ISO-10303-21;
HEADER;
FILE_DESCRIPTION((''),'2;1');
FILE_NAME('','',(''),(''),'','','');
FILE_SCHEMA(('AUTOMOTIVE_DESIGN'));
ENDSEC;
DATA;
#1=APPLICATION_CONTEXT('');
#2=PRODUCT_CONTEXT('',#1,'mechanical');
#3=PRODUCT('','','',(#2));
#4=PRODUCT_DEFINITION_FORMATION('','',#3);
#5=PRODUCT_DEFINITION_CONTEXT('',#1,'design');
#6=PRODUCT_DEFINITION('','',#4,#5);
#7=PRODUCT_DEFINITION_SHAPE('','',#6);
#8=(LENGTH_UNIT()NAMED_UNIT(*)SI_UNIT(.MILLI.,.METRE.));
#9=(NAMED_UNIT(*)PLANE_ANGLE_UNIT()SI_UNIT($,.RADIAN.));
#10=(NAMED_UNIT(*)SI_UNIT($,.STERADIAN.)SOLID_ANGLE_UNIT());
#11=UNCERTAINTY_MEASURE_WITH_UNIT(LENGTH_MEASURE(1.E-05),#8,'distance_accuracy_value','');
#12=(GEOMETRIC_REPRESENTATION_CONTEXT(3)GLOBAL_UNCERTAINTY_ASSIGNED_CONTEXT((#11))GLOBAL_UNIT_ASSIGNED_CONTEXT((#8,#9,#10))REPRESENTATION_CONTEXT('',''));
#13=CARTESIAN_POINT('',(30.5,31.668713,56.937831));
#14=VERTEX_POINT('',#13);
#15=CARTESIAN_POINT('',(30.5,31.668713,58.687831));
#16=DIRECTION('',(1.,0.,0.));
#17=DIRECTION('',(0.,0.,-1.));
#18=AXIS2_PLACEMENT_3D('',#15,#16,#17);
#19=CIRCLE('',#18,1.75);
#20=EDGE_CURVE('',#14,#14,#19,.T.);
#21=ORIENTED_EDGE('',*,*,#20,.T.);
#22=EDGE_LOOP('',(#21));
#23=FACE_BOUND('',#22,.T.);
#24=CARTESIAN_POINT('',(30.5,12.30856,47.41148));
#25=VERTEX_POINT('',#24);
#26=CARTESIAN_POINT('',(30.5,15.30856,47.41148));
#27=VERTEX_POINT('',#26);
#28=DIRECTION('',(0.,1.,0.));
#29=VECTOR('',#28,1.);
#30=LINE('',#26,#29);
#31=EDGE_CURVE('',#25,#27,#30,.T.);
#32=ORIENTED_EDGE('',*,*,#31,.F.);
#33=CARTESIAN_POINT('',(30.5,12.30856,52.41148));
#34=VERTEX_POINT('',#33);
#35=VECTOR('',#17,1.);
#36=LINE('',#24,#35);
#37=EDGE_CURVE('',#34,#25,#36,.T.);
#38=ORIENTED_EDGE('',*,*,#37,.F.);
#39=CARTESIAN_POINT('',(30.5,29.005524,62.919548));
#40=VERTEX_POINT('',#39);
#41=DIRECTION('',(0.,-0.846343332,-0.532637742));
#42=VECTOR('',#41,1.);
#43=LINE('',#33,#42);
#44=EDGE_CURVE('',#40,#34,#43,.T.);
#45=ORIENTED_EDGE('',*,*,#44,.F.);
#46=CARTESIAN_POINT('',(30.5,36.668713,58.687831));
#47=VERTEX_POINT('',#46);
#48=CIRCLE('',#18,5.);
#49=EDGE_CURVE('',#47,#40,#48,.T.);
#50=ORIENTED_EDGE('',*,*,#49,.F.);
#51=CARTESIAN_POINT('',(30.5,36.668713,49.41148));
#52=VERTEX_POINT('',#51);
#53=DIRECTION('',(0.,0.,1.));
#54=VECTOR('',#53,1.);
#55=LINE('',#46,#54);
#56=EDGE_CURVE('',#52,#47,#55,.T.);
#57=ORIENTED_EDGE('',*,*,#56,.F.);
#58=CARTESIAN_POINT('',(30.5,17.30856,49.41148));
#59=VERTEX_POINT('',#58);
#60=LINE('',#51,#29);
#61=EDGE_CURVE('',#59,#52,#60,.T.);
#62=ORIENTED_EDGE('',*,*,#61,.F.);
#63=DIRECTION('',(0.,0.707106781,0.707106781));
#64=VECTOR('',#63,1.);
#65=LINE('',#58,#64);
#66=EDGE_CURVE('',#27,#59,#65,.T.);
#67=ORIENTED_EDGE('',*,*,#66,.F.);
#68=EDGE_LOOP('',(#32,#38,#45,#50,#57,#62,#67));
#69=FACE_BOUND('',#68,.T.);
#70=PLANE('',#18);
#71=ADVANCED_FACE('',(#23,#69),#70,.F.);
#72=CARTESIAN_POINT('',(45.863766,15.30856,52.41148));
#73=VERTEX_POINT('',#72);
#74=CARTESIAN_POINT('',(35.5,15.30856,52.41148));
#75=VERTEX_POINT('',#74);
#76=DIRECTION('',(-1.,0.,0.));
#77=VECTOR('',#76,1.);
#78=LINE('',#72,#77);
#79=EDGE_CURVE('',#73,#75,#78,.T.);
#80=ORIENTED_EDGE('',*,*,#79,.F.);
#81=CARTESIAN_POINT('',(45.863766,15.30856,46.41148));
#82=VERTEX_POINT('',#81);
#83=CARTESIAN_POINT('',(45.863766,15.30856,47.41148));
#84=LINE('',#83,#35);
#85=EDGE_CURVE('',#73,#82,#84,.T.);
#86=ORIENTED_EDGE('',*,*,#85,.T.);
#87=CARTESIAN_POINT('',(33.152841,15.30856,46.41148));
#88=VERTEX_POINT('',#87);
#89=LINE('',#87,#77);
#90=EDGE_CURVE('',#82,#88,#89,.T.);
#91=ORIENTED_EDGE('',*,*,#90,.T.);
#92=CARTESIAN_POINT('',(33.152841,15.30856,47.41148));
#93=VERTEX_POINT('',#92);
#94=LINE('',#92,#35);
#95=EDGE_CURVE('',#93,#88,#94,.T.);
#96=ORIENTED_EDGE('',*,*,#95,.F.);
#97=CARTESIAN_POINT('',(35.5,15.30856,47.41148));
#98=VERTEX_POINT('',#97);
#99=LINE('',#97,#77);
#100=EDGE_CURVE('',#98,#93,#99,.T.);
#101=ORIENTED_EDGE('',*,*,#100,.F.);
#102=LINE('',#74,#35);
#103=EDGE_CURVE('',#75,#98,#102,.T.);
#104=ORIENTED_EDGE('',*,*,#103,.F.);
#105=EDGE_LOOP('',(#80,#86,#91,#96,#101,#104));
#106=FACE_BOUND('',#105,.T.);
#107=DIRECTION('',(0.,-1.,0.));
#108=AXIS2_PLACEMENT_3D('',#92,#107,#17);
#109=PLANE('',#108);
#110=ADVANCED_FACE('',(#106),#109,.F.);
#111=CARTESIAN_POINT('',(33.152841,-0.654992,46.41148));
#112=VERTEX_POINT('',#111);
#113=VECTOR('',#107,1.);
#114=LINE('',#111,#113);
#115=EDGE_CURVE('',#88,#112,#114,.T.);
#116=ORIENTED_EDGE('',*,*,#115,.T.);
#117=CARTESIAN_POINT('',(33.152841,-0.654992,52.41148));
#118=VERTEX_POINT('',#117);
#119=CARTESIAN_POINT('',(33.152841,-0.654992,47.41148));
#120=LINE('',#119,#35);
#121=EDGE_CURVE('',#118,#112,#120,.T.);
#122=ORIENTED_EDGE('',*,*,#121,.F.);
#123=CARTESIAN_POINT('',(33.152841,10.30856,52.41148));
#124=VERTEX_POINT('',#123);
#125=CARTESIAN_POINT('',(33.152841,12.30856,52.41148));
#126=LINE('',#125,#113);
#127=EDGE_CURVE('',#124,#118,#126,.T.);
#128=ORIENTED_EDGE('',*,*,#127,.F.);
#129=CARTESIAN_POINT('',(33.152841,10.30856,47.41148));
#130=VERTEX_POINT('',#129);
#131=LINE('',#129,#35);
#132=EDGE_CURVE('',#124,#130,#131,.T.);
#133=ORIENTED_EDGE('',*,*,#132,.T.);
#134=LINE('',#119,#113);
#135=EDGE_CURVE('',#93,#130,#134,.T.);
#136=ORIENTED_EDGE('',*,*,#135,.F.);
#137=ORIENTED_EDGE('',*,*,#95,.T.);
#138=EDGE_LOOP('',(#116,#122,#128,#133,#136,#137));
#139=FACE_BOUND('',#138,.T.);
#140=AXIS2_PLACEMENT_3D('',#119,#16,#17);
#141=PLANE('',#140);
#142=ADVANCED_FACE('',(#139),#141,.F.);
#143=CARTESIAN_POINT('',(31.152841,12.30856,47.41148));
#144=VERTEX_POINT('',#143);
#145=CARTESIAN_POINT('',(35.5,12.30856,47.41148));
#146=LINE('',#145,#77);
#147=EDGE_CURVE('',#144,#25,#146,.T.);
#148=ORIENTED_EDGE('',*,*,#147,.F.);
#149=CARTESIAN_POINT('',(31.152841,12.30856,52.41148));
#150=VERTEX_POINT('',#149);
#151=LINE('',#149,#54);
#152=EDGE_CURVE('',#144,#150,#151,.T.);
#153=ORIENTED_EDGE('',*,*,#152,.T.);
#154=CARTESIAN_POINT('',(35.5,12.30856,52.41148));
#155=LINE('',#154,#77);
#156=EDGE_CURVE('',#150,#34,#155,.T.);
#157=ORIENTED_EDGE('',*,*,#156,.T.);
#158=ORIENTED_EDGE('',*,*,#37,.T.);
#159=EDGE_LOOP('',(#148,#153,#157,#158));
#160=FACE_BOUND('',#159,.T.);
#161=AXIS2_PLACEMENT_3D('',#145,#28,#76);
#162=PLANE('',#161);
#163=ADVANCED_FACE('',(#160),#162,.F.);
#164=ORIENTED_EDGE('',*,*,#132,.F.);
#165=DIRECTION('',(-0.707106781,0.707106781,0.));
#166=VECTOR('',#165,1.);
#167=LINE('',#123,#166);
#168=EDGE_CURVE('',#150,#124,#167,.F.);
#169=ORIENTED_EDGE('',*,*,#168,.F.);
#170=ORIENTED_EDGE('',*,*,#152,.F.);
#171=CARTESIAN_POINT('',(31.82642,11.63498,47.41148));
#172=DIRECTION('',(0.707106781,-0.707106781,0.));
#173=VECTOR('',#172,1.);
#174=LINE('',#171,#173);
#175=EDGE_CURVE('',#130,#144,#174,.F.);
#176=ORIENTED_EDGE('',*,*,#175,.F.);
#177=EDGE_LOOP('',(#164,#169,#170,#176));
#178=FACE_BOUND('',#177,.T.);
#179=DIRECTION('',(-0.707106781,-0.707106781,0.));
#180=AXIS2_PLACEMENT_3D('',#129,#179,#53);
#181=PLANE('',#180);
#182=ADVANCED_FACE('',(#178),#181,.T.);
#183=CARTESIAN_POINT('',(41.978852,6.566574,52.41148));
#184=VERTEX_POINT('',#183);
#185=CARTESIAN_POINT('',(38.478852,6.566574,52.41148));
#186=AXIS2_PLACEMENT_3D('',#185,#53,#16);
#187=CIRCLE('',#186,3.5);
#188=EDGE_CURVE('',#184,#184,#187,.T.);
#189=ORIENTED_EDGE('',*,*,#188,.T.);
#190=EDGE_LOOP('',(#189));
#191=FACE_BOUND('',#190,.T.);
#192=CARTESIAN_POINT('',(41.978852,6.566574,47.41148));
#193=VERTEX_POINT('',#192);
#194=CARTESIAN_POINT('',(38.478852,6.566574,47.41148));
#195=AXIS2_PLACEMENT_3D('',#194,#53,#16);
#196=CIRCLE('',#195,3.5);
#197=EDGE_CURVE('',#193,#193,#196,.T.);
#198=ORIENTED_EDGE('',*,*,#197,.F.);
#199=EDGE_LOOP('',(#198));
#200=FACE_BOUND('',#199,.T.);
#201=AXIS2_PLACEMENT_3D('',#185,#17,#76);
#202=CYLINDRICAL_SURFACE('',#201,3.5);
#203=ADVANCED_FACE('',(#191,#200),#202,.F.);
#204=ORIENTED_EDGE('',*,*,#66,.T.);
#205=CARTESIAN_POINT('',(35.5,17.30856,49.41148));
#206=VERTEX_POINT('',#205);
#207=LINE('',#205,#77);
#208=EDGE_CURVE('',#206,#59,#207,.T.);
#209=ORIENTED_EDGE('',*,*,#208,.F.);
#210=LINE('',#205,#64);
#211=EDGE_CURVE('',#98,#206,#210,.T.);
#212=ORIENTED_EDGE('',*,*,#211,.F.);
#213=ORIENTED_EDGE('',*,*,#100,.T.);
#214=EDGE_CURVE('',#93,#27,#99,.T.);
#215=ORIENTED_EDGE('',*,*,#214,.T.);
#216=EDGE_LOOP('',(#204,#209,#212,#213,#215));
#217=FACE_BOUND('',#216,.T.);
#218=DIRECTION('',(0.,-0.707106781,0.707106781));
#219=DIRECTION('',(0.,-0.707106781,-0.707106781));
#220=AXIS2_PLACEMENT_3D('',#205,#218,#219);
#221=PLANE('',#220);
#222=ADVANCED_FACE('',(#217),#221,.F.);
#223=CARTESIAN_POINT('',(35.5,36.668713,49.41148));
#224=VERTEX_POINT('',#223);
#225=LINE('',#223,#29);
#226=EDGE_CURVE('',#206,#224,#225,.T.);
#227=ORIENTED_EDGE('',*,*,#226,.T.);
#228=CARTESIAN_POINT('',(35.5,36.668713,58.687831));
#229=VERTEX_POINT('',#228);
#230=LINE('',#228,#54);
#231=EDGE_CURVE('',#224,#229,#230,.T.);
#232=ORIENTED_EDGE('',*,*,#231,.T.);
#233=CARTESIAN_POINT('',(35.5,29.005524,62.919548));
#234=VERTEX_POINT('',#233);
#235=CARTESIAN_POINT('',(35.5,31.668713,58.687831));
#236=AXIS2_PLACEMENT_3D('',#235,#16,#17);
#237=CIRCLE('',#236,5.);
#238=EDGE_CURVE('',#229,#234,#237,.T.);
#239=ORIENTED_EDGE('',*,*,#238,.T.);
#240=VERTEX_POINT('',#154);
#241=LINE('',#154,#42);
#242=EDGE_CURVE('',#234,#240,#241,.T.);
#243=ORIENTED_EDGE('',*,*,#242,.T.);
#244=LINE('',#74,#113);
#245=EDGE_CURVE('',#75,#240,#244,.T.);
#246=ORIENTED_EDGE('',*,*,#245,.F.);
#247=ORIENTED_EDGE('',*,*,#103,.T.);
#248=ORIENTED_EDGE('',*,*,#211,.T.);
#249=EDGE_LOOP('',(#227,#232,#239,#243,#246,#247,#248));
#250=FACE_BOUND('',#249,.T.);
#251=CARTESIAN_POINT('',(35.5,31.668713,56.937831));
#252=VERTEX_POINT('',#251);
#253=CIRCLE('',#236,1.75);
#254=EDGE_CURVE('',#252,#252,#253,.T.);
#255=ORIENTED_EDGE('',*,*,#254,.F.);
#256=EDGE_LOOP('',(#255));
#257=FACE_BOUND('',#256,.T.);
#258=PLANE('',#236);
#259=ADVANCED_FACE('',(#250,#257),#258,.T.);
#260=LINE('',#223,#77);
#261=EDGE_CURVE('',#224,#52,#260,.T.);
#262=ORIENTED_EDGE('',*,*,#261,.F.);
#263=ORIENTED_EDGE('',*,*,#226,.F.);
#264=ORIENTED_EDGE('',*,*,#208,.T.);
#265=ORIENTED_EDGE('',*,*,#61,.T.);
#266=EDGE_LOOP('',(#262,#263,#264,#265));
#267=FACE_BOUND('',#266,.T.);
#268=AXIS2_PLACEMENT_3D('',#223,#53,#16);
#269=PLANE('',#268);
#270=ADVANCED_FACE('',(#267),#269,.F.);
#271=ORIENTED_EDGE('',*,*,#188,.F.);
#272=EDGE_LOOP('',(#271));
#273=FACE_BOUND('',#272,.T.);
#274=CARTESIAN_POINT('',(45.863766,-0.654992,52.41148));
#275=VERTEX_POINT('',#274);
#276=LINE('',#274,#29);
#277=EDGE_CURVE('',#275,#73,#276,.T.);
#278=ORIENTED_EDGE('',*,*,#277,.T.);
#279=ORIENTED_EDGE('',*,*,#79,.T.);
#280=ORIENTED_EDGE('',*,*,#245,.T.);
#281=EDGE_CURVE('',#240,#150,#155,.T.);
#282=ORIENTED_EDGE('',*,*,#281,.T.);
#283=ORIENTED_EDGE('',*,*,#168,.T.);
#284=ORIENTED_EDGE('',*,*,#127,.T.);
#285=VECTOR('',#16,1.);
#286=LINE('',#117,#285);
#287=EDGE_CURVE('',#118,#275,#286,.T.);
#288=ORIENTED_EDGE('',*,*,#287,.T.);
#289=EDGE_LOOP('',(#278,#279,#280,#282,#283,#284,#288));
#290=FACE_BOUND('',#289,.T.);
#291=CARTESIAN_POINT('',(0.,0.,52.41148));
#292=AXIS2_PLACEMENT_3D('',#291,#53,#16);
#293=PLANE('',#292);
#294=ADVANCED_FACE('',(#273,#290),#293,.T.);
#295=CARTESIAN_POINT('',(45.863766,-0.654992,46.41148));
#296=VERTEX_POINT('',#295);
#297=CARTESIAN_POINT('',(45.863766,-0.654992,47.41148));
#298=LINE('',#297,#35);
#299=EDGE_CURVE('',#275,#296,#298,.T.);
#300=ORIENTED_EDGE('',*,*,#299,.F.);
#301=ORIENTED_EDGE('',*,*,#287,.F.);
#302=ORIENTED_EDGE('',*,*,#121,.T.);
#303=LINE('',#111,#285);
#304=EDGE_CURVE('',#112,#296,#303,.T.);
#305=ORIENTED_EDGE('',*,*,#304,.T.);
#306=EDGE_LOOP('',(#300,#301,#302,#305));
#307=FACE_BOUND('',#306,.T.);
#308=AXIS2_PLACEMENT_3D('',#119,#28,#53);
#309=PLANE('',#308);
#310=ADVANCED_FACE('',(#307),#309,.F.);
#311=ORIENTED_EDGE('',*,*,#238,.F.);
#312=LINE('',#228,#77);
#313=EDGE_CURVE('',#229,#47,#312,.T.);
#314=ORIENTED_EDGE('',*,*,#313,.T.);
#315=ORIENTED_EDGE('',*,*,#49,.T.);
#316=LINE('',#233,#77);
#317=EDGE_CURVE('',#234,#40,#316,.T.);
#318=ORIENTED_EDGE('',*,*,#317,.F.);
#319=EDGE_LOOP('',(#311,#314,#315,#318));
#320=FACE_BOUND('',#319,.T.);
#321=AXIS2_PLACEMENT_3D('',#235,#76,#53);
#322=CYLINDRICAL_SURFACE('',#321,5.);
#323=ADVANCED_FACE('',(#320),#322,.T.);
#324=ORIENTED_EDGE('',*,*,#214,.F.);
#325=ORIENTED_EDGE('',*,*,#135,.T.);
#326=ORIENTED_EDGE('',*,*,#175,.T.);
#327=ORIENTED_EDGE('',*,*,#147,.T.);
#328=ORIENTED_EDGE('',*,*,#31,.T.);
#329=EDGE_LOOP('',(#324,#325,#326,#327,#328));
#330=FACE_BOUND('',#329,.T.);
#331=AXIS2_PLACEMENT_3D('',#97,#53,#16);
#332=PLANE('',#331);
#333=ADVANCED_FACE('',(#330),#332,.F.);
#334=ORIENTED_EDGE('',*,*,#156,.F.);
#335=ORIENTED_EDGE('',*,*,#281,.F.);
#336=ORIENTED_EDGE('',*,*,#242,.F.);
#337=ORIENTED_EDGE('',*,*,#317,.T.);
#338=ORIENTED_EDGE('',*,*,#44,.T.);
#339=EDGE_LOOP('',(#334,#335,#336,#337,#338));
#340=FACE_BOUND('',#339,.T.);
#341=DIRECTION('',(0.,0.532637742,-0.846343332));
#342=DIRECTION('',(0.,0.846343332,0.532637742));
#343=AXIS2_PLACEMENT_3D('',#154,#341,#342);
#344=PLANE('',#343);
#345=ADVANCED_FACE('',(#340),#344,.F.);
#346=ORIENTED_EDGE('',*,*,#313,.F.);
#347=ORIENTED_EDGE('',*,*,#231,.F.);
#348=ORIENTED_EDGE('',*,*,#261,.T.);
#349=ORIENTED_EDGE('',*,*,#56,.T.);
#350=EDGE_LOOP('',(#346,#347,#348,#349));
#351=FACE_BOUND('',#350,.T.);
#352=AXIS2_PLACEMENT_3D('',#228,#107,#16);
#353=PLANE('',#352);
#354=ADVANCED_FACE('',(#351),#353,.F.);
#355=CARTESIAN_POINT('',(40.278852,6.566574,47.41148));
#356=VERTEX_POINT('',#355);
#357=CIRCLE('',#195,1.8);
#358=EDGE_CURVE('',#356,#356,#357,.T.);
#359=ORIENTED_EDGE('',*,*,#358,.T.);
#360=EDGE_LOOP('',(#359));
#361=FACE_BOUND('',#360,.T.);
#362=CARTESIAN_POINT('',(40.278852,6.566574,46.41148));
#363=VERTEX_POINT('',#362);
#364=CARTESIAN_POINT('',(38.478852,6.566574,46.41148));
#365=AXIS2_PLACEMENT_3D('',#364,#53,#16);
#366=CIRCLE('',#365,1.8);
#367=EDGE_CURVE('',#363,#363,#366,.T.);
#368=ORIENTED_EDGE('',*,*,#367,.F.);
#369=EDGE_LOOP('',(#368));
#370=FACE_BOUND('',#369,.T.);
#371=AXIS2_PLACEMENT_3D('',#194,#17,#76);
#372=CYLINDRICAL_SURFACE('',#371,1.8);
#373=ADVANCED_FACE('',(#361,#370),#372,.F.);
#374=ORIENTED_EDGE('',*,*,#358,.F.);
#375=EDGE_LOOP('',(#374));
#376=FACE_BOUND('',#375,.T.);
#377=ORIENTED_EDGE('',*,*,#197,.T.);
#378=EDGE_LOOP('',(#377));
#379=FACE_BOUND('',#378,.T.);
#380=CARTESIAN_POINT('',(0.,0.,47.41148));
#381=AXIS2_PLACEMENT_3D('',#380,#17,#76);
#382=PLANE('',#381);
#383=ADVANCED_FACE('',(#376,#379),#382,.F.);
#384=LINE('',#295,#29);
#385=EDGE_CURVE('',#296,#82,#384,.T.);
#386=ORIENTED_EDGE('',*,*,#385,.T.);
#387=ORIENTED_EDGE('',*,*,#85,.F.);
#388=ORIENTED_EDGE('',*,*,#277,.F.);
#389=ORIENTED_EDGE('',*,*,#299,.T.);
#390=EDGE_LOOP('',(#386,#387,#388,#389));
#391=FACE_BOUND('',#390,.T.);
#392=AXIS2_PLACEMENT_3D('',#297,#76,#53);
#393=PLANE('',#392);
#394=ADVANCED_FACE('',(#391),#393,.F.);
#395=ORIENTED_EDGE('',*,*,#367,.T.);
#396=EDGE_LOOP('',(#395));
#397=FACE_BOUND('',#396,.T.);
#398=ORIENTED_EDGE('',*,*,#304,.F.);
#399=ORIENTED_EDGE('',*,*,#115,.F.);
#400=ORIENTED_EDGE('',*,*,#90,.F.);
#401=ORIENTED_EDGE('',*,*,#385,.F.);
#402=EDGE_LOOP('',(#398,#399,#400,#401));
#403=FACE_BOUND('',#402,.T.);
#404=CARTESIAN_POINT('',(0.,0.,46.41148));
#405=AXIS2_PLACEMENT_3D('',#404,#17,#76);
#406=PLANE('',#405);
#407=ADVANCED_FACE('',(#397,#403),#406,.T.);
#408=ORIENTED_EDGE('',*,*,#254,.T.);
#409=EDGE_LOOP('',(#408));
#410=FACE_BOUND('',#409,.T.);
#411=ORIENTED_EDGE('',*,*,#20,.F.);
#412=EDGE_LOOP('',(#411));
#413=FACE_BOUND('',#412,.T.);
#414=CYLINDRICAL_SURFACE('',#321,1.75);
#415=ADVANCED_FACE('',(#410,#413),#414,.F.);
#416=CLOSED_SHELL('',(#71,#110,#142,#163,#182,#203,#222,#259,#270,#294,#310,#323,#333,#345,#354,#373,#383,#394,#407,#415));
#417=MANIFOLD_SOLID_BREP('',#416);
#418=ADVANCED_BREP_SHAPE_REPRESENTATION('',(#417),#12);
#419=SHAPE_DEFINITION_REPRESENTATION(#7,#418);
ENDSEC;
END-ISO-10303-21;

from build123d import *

# Parameters (mm, degrees)
SKETCH1_W           = 12.710924787
SKETCH1_H           = 15.963552005
SKETCH1_R           = 1.8
BOSS_EXTRUDE1_DEPTH = 1
SKETCH2_R           = 1.75
BOSS_EXTRUDE2_DEPTH = 5
SKETCH3_R           = 3.5
BOSS_EXTRUDE3_DEPTH = 5
CHAMFER1_SIZE       = 2


with BuildPart() as part:
    # Sketch1 → Boss-Extrude1 (new body)
    with BuildSketch(Plane.XY.offset(46.41148)):
        with Locations((39.508303211, 7.326783953)):
            Rectangle(SKETCH1_W, SKETCH1_H)
        with Locations((38.478852397, 6.566573863)):
            Circle(SKETCH1_R, mode=Mode.SUBTRACT)
    extrude(amount=BOSS_EXTRUDE1_DEPTH)

    # Sketch2 → Boss-Extrude2 (add)
    with BuildSketch(Plane(origin=(30.5, 0, 0), x_dir=(0, 0, -1), z_dir=(1, 0, 0))):
        with BuildLine():
            Line((-58.687831226, 36.668712622), (-49.41148, 36.668712622))
            Line((-49.41148, 36.668712622), (-49.41148, 17.308559955))
            Line((-49.41148, 17.308559955), (-47.41148, 15.308559955))
            Line((-47.41148, 15.308559955), (-47.41148, 12.308559955))
            Line((-47.41148, 12.308559955), (-52.41148, 12.308559955))
            Line((-52.41148, 12.308559955), (-62.919547885, 29.00552391))
            ThreePointArc((-62.919547885, 29.00552391), (-63.064813266, 34.085741422), (-58.687831226, 36.668712622))
        make_face()
        with Locations((-58.687831226, 31.668712622)):
            Circle(SKETCH2_R, mode=Mode.SUBTRACT)
    extrude(amount=BOSS_EXTRUDE2_DEPTH)

    # Sketch3 → Boss-Extrude3 (add)
    with BuildSketch(Plane.XY.offset(47.41148)):
        Polygon((35.5, 15.308559955), (35.5, 12.308559955), (33.152840817, 12.308559955), (33.152840817, -0.65499205), (45.863765604, -0.65499205), (45.863765604, 15.308559955), align=None)
        with Locations((38.478852397, 6.566573863)):
            Circle(SKETCH3_R, mode=Mode.SUBTRACT)
    extrude(amount=BOSS_EXTRUDE3_DEPTH)

    # Chamfer1
    chamfer1_edges = [part.edges().sort_by_distance(p)[0] for p in [
        (33.152840817, 12.308559955, 49.91148),
    ]]
    chamfer(chamfer1_edges, length=CHAMFER1_SIZE)


solid = part.part
